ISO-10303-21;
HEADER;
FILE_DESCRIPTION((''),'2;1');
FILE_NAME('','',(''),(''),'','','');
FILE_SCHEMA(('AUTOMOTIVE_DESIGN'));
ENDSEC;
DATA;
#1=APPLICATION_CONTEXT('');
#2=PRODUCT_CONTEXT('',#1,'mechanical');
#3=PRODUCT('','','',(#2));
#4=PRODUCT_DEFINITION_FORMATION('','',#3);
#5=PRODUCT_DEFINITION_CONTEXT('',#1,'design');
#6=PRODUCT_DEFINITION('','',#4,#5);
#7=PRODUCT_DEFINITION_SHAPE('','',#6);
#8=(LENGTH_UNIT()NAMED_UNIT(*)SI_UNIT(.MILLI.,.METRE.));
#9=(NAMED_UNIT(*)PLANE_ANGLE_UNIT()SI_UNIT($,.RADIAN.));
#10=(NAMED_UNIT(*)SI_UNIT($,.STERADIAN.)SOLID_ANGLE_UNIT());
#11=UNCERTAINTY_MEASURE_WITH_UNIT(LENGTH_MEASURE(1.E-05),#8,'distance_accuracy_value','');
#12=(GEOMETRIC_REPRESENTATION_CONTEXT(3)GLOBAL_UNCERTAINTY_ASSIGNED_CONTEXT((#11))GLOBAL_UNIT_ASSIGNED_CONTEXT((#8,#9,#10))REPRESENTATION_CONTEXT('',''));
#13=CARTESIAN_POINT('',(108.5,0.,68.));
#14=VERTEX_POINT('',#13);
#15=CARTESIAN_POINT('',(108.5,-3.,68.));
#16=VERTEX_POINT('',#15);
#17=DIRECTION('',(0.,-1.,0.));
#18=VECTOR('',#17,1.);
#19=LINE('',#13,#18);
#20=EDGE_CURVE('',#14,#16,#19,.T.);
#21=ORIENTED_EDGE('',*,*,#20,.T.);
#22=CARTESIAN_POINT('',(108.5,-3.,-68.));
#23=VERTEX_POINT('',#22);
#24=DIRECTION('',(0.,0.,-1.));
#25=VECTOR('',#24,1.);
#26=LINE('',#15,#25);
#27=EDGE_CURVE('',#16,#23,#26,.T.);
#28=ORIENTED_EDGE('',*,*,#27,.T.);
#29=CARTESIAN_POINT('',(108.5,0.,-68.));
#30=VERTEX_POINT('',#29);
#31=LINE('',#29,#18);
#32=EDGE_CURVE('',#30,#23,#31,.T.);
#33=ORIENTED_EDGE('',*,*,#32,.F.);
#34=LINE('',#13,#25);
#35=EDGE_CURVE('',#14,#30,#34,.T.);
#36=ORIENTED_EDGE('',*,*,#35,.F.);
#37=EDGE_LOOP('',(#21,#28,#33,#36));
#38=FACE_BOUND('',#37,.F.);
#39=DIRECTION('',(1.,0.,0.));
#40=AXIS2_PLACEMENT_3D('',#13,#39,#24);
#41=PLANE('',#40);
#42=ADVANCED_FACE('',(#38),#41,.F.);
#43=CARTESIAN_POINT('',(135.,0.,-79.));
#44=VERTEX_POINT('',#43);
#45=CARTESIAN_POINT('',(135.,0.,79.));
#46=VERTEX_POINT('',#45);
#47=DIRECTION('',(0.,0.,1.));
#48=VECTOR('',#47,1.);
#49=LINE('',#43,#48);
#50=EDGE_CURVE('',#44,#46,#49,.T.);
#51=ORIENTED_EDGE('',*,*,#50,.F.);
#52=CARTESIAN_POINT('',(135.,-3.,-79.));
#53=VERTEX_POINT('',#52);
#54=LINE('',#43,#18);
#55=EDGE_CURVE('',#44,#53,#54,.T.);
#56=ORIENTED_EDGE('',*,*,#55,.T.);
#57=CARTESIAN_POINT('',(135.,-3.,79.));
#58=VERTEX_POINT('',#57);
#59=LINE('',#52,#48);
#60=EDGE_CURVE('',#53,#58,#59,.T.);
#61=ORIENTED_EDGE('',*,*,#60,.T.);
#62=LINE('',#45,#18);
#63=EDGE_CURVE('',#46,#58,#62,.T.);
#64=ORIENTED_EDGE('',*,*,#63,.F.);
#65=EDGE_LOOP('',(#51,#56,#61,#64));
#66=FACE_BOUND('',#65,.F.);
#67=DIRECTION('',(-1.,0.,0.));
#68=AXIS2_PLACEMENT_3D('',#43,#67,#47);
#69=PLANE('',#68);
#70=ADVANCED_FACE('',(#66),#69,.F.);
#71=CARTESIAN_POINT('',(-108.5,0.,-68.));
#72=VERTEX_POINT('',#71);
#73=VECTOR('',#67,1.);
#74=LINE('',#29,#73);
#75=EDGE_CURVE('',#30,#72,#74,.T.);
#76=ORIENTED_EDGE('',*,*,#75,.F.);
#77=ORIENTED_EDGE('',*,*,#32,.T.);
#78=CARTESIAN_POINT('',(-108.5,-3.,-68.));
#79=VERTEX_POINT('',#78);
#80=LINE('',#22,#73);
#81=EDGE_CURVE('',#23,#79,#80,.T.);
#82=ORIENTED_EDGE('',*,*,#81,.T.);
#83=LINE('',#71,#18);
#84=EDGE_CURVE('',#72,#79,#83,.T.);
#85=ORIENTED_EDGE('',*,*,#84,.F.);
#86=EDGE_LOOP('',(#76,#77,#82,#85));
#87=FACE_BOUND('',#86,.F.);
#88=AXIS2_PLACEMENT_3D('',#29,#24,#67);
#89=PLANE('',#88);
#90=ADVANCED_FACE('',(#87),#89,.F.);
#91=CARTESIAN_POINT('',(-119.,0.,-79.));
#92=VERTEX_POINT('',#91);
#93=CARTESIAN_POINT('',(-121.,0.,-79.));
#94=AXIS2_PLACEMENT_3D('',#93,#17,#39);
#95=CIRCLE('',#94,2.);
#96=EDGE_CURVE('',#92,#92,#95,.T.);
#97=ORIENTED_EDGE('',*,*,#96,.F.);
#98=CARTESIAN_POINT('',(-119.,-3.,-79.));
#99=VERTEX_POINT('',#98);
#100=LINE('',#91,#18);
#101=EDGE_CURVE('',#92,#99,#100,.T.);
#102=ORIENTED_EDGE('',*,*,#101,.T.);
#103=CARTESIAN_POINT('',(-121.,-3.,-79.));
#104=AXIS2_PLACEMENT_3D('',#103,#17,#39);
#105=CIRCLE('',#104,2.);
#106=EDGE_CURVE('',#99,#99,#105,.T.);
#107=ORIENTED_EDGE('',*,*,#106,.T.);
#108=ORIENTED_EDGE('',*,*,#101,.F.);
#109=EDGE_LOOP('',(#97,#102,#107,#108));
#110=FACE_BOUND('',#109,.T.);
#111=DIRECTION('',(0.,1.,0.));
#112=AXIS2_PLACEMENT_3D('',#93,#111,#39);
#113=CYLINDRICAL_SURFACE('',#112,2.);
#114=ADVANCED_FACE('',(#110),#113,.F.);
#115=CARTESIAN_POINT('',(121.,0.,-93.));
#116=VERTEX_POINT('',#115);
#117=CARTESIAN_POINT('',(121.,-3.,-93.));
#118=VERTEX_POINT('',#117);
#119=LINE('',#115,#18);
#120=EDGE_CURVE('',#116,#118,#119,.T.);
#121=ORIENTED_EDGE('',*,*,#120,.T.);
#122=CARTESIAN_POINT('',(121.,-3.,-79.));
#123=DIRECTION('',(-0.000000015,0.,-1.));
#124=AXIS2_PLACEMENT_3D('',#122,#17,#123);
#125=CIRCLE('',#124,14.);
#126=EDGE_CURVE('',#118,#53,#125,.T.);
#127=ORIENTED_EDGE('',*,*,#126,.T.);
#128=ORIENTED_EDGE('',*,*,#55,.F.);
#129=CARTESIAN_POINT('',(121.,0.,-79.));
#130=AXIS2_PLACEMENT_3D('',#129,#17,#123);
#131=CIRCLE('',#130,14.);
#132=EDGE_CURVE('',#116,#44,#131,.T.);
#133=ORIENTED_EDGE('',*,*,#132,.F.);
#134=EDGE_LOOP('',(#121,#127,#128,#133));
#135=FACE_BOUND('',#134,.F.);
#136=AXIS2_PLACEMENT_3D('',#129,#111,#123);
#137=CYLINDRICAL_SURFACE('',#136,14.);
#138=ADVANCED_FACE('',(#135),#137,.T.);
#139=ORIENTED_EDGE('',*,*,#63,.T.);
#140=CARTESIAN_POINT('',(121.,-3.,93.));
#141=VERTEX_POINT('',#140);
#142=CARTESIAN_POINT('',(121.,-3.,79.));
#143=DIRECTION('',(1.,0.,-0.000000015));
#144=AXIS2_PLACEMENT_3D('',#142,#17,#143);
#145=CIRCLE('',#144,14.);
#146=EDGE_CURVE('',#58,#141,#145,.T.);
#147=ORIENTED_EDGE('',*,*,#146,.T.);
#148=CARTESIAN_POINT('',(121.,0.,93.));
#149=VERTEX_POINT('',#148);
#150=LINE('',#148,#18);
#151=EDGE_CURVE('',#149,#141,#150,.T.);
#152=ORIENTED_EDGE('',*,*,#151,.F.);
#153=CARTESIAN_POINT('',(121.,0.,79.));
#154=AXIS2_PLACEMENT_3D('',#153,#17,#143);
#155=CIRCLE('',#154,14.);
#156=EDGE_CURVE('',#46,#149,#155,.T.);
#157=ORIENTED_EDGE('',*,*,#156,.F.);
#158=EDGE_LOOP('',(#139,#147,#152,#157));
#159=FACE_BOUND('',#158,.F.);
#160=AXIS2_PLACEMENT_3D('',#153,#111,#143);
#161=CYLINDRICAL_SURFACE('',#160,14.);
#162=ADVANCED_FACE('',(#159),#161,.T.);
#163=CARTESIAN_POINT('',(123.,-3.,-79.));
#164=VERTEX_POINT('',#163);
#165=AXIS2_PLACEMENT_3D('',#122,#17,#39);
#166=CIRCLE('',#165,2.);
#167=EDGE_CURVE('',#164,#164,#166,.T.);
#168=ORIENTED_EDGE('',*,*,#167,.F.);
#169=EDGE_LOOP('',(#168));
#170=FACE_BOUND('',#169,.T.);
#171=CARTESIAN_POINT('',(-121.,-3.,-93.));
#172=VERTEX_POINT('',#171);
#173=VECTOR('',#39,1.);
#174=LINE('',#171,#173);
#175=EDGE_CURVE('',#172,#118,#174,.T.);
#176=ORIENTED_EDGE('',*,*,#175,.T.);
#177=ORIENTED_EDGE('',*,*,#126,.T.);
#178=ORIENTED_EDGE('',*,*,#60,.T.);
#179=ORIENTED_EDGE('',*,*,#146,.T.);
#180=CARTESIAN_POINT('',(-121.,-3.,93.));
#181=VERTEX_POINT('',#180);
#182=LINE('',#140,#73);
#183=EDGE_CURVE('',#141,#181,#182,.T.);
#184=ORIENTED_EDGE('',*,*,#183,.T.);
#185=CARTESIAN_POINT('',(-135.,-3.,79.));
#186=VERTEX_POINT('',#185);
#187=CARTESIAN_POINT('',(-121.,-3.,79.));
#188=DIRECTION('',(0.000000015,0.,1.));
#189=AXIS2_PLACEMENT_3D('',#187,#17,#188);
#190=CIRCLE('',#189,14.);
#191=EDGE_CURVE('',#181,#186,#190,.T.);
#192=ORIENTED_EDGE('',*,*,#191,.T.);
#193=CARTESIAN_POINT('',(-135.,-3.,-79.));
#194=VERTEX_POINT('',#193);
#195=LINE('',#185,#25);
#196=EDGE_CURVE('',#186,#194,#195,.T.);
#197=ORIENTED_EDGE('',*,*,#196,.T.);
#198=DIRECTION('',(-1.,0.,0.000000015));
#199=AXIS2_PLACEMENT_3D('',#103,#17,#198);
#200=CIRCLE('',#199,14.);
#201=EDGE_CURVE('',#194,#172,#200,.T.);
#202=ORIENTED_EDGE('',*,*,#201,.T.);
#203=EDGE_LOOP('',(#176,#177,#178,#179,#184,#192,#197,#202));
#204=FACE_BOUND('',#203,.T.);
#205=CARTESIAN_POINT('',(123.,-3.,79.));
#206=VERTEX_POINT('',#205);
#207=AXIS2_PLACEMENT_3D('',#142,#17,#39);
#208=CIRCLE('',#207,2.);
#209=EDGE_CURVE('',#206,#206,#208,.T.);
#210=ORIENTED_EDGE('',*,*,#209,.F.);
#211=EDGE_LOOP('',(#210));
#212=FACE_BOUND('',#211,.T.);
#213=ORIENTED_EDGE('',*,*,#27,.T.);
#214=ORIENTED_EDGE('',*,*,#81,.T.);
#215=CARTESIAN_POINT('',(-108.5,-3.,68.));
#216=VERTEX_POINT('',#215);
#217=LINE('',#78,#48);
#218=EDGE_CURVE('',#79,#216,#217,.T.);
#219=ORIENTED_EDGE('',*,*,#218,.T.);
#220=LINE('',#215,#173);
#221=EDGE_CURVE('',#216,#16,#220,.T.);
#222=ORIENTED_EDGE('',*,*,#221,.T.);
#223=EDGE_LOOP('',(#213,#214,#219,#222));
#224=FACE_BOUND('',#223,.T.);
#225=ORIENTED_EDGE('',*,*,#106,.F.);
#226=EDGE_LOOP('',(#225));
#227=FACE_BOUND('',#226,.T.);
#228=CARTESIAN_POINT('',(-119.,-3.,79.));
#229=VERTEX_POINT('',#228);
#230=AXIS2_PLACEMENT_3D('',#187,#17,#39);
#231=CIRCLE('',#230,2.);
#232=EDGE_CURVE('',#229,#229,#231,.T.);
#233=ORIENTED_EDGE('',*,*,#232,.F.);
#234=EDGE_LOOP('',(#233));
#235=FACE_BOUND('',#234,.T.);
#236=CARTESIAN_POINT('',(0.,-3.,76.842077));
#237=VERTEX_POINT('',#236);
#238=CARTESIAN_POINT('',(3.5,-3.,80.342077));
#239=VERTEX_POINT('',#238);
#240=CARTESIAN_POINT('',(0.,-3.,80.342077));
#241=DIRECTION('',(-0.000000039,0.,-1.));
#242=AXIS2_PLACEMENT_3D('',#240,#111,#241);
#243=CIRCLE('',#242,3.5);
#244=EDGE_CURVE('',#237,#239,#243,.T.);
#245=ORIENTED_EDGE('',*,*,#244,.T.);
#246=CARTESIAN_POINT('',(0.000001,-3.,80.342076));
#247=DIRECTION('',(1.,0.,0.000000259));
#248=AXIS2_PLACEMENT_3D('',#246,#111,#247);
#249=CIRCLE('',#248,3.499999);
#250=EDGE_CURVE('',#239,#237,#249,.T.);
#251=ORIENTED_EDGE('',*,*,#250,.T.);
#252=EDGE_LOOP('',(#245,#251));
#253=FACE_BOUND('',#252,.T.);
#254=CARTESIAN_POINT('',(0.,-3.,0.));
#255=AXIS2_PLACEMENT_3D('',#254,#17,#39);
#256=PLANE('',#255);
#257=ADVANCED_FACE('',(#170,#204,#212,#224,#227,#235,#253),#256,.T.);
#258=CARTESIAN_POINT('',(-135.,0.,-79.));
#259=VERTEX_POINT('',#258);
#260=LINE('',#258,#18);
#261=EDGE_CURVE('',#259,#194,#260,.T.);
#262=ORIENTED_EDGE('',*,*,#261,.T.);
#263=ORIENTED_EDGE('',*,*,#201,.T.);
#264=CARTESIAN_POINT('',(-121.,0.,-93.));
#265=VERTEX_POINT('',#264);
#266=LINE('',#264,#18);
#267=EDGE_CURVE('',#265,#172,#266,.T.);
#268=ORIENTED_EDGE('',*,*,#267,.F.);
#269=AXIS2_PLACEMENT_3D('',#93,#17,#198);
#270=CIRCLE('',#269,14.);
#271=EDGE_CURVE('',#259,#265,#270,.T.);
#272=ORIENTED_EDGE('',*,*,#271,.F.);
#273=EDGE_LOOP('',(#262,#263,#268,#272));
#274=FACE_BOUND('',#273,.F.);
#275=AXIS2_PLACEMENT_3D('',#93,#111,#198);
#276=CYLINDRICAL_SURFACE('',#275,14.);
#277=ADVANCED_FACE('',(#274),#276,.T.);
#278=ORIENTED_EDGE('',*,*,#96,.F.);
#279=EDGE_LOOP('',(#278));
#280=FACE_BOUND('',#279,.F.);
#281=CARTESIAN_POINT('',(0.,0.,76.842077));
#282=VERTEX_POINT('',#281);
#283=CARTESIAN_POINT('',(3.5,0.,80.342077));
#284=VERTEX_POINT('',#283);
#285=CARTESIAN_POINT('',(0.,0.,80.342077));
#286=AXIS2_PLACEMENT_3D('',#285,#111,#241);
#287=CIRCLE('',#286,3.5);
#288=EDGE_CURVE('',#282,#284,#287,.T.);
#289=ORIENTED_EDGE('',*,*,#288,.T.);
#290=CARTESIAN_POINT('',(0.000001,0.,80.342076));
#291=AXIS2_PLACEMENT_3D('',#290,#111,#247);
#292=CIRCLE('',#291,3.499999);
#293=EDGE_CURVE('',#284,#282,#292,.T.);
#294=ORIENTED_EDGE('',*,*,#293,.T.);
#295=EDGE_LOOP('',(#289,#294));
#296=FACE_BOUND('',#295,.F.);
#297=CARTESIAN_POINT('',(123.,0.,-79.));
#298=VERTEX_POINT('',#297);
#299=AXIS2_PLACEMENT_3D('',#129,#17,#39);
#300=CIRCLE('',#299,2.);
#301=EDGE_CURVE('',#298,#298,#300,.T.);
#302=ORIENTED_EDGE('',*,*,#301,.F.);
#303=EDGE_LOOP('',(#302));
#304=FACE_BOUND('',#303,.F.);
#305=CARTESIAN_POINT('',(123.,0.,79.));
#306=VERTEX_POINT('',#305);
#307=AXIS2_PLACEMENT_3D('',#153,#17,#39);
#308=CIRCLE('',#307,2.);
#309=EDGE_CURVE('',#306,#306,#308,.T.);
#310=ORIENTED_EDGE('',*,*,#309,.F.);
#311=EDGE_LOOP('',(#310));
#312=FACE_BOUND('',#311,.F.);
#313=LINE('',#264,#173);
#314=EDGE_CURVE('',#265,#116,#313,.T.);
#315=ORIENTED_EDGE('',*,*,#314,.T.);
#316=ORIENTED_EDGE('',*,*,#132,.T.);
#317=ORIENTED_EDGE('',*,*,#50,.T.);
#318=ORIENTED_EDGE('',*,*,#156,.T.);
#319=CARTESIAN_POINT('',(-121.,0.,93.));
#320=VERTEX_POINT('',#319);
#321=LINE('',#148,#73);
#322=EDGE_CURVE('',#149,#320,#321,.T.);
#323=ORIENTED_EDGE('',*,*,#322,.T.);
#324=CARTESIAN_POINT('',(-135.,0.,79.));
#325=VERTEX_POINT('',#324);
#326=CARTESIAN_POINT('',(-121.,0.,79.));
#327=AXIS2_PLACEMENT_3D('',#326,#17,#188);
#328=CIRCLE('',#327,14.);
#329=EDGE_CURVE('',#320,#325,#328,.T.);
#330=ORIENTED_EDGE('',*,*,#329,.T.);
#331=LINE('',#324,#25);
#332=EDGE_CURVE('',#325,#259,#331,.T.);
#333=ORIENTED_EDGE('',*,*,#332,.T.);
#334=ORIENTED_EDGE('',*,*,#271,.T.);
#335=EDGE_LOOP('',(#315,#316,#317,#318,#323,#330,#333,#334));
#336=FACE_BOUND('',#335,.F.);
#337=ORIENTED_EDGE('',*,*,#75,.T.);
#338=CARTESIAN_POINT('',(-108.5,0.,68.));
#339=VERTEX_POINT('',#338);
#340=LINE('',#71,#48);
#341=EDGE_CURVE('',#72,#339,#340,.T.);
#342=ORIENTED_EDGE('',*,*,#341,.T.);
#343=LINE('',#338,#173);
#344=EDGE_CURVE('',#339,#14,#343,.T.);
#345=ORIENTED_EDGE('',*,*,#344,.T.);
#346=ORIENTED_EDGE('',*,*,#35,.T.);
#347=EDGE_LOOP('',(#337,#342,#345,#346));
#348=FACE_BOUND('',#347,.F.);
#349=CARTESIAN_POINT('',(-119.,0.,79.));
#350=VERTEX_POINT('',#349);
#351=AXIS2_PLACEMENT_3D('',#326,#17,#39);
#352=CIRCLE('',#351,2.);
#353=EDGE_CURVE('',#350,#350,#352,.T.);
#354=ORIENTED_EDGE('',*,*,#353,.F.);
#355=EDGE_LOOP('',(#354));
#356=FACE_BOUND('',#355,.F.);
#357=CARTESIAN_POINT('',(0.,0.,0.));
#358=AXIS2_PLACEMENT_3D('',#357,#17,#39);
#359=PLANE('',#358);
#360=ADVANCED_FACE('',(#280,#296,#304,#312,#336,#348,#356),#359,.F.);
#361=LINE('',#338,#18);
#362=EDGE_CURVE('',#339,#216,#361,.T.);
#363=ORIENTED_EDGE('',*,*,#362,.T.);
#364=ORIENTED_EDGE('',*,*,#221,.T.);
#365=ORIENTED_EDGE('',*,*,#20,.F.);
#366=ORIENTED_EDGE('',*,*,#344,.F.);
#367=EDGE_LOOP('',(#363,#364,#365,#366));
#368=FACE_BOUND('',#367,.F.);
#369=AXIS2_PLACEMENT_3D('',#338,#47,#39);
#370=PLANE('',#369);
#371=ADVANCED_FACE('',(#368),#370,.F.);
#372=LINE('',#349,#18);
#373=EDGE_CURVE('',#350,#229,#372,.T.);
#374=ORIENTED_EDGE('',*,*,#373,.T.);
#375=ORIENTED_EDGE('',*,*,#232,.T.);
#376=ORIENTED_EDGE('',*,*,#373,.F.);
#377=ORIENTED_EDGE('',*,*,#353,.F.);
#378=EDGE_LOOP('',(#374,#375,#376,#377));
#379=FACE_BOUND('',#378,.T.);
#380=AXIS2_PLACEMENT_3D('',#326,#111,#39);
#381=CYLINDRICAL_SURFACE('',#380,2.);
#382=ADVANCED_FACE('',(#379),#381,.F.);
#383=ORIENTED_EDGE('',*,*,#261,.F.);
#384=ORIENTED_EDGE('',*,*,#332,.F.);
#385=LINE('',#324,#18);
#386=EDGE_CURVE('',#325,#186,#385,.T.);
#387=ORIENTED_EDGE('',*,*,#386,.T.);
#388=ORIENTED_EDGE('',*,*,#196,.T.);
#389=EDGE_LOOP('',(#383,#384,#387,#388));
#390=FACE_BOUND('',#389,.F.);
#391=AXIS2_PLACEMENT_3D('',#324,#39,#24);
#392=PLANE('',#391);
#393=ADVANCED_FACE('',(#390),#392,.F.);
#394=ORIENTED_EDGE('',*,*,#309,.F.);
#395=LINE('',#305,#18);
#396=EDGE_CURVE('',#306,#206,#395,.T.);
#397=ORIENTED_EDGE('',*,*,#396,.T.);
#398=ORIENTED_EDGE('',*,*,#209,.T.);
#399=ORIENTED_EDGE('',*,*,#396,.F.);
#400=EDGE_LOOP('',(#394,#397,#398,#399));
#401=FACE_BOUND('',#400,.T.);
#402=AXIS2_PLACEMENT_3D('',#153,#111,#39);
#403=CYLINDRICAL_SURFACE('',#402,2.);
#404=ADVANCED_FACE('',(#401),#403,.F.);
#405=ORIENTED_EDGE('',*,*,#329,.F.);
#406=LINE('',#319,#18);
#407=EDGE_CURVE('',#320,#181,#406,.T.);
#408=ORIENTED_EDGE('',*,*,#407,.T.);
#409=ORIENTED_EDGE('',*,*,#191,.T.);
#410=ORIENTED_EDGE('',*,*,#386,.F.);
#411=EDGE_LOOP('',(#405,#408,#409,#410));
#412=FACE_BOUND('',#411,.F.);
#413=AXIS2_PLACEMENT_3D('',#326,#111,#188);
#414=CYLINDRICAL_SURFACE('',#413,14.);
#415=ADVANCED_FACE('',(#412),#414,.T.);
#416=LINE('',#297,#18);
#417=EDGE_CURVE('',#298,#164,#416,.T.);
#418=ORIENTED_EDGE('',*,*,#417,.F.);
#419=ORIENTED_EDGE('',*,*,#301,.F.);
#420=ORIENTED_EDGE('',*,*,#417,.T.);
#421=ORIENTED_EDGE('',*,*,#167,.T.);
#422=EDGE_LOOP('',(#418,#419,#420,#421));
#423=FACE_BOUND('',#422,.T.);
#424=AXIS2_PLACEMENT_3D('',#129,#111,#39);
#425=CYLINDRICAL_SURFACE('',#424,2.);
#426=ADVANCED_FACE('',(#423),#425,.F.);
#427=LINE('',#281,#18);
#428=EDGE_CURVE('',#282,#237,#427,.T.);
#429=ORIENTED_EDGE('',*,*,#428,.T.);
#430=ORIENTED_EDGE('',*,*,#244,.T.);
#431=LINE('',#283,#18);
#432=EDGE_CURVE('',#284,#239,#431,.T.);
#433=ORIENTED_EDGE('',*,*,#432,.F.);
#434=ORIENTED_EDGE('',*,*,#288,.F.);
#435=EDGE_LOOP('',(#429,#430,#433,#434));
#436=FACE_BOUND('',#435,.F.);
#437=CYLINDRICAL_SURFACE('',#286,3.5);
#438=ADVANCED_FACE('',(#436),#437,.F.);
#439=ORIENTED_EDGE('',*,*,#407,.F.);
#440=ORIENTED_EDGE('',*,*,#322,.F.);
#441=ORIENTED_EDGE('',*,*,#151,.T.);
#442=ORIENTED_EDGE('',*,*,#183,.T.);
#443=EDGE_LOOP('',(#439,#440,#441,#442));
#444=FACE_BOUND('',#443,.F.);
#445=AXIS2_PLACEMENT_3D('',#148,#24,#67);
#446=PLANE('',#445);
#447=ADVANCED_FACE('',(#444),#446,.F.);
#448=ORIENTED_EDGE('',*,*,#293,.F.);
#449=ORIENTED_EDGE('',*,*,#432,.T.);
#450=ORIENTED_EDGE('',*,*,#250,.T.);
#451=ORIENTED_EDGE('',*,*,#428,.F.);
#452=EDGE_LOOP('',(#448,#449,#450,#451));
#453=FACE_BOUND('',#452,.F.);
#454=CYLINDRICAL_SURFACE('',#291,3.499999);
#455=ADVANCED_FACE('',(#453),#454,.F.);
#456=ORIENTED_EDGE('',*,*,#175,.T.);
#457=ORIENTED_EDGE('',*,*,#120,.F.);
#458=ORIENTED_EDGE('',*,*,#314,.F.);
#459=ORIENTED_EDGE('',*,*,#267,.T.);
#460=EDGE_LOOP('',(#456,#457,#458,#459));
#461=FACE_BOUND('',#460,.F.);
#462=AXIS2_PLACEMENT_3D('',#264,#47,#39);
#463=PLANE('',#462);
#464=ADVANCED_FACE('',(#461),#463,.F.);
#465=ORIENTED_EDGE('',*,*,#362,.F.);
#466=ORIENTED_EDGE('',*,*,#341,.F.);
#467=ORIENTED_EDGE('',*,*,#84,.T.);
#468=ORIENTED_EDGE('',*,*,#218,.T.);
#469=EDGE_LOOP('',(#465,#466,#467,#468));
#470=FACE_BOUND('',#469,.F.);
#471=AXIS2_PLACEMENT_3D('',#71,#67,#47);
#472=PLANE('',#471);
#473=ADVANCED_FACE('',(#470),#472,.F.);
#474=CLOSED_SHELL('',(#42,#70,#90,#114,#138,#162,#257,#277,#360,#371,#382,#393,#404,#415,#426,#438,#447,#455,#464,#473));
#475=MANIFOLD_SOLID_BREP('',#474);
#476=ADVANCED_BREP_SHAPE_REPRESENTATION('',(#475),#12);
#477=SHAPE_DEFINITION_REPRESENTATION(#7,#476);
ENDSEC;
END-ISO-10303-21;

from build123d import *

# Parameters (mm, degrees)
F0_R     = 2
F1_DEPTH = 3


with BuildPart() as f1:
    # F0 (on Front) → F1 (new body)
    with BuildSketch(Plane.XZ):
        with BuildLine():
            Line((-121, -93), (121, -93))
            ThreePointArc((121, -93), (130.899495, -88.899495), (135, -79))
            Line((135, -79), (135, 79))
            ThreePointArc((135, 79), (130.899495, 88.899495), (121, 93))
            Line((121, 93), (-121, 93))
            ThreePointArc((-121, 93), (-130.899495, 88.899495), (-135, 79))
            Line((-135, 79), (-135, -79))
            ThreePointArc((-135, -79), (-130.899495, -88.899495), (-121, -93))
        make_face()
        with Locations((-121, -79)):
            Circle(F0_R, mode=Mode.SUBTRACT)
        with Locations((121, -79)):
            Circle(F0_R, mode=Mode.SUBTRACT)
        with Locations((-121, 79)):
            Circle(F0_R, mode=Mode.SUBTRACT)
        Polygon((108.5, 68), (108.5, -68), (-108.5, -68), (-108.5, 68), (0, 68), align=None, mode=Mode.SUBTRACT)
        with BuildLine():
            ThreePointArc((3.5, 80.342077), (2.474874, 77.867203), (0, 76.842077))
            ThreePointArc((0, 76.842077), (-2.474874, 82.81695), (3.5, 80.342077))
        make_face(mode=Mode.SUBTRACT)
        with Locations((121, 79)):
            Circle(F0_R, mode=Mode.SUBTRACT)
    extrude(amount=F1_DEPTH)


solid = f1.part
